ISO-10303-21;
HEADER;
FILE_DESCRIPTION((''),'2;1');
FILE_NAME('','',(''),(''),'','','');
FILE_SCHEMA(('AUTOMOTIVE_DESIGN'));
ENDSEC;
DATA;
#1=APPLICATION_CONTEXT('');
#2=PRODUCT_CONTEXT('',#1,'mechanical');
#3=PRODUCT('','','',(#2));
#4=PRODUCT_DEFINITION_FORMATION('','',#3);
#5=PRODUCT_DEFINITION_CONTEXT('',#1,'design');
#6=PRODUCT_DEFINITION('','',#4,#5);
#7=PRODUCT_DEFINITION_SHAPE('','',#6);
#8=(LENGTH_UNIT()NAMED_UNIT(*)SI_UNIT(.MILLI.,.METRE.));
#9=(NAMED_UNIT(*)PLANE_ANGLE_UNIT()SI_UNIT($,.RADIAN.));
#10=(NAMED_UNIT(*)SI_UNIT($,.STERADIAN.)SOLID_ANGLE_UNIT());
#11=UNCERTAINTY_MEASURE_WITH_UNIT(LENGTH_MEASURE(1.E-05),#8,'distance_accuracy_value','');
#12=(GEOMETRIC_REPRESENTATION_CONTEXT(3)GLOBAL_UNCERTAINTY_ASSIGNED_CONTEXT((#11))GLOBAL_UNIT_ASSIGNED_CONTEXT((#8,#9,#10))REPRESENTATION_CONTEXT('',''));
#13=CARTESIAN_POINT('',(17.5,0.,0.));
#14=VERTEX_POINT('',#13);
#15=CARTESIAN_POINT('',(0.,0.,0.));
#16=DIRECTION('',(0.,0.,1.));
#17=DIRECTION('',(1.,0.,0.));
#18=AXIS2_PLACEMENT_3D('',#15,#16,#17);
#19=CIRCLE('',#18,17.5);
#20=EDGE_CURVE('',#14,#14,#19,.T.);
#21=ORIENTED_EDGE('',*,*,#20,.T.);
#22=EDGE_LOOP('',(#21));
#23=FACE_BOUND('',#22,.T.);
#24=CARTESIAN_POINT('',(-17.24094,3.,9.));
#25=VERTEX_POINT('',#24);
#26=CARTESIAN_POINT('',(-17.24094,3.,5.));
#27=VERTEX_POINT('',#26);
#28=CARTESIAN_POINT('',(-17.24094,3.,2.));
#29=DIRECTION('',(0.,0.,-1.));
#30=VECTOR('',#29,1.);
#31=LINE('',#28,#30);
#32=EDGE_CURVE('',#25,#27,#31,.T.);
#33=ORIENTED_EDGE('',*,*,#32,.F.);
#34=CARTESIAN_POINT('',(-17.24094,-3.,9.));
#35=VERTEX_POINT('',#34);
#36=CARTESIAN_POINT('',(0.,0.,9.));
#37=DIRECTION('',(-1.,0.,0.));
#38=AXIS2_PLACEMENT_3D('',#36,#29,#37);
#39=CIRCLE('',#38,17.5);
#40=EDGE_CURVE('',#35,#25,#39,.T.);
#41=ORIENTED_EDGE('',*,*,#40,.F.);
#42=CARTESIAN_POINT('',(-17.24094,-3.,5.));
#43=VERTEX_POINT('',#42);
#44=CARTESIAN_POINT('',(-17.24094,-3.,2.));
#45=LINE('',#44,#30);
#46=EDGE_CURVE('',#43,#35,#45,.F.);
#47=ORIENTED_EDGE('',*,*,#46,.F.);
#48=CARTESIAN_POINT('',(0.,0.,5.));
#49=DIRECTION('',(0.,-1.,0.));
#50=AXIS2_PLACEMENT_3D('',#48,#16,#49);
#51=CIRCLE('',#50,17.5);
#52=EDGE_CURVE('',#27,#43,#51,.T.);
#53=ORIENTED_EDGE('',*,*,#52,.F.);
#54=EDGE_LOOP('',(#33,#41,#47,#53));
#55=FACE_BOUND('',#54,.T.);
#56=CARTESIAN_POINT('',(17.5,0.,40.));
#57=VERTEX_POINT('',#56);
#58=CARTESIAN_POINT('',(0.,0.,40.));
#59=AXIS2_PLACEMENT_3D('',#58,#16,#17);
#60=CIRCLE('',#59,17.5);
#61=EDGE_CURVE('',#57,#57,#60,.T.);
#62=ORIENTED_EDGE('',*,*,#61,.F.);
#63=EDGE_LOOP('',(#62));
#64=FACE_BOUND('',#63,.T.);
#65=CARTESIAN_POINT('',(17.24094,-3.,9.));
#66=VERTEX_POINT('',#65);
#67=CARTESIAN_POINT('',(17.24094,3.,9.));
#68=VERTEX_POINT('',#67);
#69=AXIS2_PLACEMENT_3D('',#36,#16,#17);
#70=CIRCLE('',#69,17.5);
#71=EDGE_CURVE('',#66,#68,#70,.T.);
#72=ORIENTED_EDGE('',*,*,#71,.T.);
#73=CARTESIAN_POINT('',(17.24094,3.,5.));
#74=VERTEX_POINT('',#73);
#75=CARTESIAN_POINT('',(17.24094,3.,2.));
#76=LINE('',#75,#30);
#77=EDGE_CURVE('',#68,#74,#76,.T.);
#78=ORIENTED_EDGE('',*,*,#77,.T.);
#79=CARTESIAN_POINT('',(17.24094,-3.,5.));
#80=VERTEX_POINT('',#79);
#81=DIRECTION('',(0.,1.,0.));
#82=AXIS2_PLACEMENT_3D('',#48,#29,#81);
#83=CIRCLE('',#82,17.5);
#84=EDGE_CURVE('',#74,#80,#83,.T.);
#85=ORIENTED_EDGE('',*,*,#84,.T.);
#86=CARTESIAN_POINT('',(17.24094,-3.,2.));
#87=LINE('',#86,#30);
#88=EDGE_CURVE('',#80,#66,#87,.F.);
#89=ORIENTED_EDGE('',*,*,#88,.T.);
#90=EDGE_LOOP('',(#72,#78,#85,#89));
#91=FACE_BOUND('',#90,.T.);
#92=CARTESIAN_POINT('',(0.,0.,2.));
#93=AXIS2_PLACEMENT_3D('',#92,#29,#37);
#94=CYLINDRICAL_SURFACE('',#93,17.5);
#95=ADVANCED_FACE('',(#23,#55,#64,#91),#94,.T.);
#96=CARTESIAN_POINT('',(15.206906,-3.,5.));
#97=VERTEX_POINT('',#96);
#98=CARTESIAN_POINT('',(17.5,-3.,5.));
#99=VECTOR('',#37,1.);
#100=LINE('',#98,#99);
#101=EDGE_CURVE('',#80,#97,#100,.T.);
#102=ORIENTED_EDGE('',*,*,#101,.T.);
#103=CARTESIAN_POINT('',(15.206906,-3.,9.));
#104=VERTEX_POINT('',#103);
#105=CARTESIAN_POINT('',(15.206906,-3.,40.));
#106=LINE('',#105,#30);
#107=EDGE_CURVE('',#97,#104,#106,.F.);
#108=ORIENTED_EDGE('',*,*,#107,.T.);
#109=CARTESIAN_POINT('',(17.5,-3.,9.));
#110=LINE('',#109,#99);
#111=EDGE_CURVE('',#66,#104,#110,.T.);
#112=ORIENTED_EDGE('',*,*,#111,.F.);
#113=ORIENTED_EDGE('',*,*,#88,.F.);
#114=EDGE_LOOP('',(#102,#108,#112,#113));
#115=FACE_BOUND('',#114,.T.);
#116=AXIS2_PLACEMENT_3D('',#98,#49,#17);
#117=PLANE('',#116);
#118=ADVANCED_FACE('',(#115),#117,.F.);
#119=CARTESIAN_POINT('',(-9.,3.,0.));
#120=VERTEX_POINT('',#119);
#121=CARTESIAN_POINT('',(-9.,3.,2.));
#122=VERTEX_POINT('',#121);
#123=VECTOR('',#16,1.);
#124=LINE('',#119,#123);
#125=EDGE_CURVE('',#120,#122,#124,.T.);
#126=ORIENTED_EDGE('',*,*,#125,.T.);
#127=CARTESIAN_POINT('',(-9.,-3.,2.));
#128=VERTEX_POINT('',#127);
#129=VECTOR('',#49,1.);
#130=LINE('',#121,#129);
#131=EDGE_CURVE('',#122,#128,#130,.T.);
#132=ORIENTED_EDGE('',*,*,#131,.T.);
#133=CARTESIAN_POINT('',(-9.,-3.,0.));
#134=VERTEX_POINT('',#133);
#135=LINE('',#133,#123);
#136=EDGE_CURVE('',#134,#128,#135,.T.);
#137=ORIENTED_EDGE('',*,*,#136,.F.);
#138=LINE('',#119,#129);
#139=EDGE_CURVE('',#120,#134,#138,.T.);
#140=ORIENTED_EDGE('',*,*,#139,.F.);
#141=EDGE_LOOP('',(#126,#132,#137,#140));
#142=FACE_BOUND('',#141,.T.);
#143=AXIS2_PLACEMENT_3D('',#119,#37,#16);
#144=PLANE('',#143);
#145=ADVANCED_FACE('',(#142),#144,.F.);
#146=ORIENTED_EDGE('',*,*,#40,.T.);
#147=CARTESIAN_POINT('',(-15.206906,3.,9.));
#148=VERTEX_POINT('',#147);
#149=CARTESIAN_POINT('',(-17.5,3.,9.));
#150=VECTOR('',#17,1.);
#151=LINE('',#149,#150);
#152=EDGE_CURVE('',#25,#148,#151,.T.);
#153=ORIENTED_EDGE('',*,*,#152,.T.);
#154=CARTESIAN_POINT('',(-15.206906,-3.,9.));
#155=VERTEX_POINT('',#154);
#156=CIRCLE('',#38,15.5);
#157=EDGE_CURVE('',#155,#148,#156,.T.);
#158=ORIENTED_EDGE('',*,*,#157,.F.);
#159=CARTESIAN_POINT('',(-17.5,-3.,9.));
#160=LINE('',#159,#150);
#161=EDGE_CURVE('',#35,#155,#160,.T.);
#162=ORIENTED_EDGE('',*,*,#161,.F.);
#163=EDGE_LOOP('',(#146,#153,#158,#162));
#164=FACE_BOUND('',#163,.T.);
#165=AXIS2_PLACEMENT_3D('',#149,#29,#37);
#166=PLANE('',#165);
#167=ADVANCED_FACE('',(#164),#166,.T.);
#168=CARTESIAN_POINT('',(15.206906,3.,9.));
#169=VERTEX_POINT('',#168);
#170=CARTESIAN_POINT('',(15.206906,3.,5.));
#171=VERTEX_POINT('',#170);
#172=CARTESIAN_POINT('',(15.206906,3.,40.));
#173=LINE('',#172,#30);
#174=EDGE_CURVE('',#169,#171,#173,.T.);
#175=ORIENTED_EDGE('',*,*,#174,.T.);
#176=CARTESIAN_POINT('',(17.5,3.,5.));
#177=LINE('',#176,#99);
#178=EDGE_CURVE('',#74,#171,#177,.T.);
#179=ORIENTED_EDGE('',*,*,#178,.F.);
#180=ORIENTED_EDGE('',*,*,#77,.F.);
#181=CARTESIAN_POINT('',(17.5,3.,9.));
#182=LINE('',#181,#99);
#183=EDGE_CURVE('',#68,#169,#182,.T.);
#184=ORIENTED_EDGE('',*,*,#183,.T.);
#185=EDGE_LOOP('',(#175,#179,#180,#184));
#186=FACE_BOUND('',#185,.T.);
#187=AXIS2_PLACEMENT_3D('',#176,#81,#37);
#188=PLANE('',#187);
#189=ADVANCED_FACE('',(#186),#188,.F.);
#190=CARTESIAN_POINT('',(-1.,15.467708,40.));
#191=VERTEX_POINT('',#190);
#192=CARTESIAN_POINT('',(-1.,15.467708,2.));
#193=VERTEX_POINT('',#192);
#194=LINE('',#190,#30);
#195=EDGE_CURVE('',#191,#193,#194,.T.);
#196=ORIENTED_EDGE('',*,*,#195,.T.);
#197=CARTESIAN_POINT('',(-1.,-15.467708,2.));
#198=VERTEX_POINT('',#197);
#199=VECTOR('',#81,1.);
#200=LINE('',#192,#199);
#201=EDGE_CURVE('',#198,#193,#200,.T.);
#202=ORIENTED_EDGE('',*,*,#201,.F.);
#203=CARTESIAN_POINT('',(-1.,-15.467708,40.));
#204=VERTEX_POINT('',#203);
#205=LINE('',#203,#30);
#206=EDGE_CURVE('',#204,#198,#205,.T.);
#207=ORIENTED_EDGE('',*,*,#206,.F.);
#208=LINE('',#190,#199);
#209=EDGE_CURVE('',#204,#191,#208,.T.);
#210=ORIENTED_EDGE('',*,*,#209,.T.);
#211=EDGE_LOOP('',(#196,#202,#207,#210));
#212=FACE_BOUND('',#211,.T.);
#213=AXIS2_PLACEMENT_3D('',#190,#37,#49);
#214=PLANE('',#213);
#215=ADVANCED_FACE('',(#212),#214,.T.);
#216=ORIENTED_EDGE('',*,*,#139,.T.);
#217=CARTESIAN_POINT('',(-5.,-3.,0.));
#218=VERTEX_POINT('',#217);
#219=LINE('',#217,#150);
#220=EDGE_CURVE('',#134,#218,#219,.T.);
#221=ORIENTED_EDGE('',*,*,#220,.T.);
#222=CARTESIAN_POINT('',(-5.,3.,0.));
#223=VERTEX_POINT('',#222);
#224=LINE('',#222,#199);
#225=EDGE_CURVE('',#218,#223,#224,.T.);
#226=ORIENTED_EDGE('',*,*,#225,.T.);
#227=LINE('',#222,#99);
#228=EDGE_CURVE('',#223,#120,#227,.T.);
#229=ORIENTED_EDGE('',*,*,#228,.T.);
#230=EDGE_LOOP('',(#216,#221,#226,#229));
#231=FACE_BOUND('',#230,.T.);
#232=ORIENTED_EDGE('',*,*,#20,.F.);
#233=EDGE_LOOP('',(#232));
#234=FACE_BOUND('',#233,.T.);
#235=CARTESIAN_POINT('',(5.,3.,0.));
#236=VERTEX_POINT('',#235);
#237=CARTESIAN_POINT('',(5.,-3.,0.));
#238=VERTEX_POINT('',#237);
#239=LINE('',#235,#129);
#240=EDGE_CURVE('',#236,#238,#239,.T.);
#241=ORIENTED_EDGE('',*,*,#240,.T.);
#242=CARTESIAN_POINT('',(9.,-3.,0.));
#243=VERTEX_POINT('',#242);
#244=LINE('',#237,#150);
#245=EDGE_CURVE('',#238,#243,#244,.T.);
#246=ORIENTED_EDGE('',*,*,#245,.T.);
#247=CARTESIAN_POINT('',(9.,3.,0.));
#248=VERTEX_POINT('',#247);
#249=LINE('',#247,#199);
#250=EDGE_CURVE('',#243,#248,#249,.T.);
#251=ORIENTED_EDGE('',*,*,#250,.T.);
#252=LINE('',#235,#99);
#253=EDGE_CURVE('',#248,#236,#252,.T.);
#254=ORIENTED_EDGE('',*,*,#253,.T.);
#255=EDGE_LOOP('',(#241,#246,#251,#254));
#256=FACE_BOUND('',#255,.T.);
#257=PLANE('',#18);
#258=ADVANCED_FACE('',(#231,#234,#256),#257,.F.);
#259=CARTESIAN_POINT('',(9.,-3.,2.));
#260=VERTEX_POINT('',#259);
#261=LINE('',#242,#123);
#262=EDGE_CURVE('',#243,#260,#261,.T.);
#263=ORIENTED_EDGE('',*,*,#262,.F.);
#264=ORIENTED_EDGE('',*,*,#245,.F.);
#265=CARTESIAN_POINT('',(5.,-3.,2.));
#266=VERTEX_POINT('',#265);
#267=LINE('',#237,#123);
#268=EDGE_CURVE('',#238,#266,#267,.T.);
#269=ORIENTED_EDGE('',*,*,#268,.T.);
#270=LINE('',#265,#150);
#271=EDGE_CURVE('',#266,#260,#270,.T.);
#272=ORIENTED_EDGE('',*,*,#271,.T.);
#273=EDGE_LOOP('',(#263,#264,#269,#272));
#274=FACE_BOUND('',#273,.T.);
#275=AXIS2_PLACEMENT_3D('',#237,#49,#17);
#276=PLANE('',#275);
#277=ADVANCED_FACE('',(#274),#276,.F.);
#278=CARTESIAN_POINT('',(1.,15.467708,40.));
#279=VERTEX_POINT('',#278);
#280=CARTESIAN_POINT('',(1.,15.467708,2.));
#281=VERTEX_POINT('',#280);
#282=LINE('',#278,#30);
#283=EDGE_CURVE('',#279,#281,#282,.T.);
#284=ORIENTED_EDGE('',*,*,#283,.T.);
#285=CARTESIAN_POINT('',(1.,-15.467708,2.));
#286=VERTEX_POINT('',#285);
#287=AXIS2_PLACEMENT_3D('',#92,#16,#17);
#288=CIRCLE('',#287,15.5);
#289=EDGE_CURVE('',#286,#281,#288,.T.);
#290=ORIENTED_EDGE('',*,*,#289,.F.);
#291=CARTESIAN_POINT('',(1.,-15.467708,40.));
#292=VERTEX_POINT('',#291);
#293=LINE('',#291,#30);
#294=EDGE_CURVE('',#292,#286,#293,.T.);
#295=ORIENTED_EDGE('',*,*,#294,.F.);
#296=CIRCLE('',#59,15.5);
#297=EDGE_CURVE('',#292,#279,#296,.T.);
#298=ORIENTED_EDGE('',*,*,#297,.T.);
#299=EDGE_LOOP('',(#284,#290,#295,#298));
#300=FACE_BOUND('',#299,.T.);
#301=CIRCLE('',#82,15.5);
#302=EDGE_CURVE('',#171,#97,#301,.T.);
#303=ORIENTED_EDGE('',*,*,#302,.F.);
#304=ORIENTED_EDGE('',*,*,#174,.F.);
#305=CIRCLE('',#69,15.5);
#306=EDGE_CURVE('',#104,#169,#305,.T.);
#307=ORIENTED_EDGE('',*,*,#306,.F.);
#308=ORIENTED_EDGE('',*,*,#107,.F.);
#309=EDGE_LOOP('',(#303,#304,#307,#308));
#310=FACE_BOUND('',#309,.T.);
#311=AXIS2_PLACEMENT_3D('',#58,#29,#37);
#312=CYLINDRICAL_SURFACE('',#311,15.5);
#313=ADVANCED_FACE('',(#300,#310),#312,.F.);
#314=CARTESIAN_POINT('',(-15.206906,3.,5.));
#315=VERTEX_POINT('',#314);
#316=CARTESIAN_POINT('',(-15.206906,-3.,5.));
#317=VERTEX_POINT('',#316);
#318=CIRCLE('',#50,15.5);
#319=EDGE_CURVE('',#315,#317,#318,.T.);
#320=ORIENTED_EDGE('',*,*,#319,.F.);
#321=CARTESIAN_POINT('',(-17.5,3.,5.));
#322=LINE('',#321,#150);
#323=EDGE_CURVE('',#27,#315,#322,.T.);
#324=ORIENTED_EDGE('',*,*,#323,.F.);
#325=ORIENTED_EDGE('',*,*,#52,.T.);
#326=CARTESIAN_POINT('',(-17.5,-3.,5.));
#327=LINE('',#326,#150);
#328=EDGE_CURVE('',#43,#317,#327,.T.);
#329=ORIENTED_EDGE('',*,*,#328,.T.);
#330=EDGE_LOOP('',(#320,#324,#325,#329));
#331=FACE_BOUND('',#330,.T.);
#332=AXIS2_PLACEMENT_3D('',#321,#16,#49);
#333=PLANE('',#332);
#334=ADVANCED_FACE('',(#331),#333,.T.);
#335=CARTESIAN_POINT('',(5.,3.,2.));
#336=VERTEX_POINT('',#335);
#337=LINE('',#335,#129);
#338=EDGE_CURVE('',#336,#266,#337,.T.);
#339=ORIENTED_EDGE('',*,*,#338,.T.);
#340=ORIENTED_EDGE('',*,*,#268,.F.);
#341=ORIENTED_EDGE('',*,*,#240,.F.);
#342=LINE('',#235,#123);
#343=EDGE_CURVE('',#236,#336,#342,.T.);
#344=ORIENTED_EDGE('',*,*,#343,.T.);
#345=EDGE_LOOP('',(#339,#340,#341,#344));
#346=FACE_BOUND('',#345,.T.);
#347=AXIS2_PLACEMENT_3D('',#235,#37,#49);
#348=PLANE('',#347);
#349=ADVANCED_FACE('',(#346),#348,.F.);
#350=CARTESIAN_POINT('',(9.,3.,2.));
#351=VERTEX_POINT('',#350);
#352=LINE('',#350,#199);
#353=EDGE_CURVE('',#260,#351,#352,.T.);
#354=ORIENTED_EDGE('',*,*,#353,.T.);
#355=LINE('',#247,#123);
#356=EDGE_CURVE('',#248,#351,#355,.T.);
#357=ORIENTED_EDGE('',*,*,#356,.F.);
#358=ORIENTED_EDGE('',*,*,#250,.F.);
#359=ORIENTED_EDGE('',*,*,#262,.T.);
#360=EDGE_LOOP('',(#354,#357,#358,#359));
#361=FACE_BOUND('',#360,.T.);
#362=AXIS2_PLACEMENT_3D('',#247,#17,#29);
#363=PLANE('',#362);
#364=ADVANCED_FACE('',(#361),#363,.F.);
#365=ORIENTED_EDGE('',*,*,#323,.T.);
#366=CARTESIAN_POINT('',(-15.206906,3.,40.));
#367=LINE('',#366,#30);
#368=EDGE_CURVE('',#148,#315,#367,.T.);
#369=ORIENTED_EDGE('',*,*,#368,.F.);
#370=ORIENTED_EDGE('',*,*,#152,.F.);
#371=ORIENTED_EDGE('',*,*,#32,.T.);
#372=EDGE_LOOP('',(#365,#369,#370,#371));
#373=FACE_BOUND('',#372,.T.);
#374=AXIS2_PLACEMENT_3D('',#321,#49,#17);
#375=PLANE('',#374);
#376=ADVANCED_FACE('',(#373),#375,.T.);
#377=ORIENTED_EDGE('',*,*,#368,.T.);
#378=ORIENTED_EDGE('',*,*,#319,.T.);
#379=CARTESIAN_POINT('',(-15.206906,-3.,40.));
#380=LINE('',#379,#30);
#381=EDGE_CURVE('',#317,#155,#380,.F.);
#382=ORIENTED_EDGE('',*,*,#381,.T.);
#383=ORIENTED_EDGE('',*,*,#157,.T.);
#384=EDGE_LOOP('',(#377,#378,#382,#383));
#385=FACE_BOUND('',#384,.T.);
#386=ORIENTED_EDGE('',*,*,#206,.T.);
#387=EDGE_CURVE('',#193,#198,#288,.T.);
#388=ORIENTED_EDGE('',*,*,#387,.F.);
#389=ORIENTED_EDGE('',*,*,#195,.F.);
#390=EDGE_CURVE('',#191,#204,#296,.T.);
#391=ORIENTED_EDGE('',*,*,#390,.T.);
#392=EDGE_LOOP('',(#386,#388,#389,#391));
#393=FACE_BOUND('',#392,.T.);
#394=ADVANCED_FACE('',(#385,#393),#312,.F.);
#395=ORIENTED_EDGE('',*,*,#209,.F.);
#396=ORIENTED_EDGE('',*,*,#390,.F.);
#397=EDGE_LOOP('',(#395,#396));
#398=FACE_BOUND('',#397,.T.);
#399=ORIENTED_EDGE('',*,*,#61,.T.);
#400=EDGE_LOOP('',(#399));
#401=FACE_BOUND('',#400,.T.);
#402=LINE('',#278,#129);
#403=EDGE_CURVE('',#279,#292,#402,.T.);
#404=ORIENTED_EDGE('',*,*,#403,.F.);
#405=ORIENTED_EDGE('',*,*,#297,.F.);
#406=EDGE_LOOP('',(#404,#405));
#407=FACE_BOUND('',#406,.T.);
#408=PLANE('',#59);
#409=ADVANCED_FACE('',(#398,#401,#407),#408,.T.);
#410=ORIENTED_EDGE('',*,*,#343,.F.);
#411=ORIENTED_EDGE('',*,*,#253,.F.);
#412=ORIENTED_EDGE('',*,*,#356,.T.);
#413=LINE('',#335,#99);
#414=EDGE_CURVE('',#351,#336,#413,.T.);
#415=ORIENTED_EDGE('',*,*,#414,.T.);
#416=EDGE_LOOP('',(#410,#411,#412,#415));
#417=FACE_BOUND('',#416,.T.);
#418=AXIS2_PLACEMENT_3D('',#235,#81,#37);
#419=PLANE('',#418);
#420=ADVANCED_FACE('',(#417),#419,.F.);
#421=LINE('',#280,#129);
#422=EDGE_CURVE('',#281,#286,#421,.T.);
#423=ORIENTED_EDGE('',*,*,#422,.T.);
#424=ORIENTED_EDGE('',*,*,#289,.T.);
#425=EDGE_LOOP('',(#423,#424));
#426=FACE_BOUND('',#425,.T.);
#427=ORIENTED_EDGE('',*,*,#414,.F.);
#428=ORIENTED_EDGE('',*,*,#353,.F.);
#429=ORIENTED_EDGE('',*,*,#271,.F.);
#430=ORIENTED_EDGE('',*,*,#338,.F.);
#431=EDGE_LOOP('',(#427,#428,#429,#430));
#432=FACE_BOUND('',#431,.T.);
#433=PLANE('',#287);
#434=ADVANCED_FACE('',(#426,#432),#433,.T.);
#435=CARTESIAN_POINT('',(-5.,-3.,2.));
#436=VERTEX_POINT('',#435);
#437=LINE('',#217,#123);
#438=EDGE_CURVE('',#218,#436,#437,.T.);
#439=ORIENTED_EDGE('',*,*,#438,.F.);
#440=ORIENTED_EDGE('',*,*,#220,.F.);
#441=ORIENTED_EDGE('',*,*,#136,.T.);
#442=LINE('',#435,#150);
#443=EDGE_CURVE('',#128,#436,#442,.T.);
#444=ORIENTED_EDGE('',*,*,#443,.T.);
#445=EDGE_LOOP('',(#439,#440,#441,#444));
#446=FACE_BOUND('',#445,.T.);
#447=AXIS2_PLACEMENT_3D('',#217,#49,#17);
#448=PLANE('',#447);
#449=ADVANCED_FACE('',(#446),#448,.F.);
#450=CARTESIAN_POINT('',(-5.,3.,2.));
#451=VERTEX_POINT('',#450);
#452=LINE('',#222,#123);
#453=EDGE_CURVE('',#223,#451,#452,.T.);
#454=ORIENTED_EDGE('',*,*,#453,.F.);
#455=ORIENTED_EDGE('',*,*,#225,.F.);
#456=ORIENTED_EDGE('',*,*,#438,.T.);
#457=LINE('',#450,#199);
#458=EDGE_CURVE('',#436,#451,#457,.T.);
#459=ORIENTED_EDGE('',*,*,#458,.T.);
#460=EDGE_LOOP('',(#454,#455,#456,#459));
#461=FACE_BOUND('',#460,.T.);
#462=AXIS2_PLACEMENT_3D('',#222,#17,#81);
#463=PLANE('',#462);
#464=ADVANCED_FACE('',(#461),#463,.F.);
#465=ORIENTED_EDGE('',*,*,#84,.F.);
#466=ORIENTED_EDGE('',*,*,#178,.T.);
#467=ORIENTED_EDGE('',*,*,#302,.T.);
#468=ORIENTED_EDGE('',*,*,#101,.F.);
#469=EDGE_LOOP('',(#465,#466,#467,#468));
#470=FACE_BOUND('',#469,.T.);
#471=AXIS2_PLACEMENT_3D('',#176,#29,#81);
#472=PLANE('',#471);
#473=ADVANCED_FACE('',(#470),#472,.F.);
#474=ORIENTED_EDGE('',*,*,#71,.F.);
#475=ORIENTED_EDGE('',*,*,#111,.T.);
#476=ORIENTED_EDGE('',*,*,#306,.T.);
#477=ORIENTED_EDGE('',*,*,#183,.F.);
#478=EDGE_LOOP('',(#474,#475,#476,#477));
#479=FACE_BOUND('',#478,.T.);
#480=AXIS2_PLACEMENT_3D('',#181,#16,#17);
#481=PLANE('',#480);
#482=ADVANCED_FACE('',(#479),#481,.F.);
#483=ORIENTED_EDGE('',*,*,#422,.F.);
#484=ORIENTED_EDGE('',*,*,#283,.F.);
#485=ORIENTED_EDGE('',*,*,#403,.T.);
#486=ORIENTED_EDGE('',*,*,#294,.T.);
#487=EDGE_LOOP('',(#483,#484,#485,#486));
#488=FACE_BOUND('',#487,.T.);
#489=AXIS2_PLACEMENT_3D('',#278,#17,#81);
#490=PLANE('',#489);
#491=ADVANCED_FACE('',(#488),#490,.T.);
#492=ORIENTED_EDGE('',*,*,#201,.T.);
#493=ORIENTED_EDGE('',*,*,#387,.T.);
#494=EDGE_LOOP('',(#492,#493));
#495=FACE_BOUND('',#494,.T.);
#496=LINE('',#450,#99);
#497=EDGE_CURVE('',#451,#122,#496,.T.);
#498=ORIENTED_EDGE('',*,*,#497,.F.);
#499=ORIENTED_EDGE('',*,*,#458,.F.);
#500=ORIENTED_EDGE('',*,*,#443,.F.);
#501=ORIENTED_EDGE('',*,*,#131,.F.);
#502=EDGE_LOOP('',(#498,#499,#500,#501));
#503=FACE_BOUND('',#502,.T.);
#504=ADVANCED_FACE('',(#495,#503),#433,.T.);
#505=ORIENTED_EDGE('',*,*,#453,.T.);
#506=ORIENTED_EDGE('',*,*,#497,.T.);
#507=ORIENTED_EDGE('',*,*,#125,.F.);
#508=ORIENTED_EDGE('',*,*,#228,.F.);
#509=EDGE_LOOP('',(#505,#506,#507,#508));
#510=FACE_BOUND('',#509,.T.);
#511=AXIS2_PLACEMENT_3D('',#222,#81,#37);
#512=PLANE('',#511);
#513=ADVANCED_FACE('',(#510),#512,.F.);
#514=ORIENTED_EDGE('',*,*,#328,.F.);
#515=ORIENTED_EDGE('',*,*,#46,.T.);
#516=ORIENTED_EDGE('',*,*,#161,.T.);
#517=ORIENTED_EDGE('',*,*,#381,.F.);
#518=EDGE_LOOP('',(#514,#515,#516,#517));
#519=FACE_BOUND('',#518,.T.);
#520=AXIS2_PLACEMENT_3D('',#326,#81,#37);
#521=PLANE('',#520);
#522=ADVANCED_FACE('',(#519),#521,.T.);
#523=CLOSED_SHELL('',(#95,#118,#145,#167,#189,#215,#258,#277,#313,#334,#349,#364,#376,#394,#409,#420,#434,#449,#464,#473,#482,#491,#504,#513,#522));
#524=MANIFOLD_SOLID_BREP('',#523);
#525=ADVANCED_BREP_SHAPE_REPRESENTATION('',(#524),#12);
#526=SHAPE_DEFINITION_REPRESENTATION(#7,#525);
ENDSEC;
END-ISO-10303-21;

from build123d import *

# Parameters (mm, degrees)
SKETCH1_R           = 17.5
BOSS_EXTRUDE1_DEPTH = 2
SKETCH2_R           = 17.5
BOSS_EXTRUDE2_DEPTH = 38
SKETCH3_W           = 4
SKETCH3_H           = 6
CUT_EXTRUDE1_DEPTH  = 46.348649373
SKETCH4_W           = 4
SKETCH4_H           = 6
CUT_EXTRUDE2_DEPTH  = 48.418350878


with BuildPart() as part:
    # Sketch1 → Boss-Extrude1 (new body)
    with BuildSketch(Plane.XY):
        Circle(SKETCH1_R)
    extrude(amount=BOSS_EXTRUDE1_DEPTH)

    # Sketch2 → Boss-Extrude2 (add)
    with BuildSketch(Plane.XY.offset(2)):
        Circle(SKETCH2_R)
        with BuildLine():
            Line((-1, 15.467708298), (-1, -15.467708298))
            ThreePointArc((-1, -15.467708298), (-15.5, 0), (-1, 15.467708298))
        make_face(mode=Mode.SUBTRACT)
        with BuildLine():
            Line((1, 15.467708298), (1, -15.467708298))
            ThreePointArc((1, -15.467708298), (15.5, 0), (1, 15.467708298))
        make_face(mode=Mode.SUBTRACT)
    extrude(amount=BOSS_EXTRUDE2_DEPTH)

    # Sketch3 → Cut-Extrude1 (cut, through all)
    with BuildSketch(Plane.XY.offset(2)):
        with Locations((7, 0)):
            Rectangle(SKETCH3_W, SKETCH3_H)
        with Locations((-7, 0)):
            Rectangle(SKETCH3_W, SKETCH3_H)
    extrude(amount=-CUT_EXTRUDE1_DEPTH, mode=Mode.SUBTRACT)

    # Sketch4 → Cut-Extrude2 (cut, through all)
    with BuildSketch(Plane.ZY.offset(1)):
        with Locations((7, 0)):
            Rectangle(SKETCH4_W, SKETCH4_H)
    cut_extrude2 = extrude(amount=CUT_EXTRUDE2_DEPTH, mode=Mode.SUBTRACT)

    # Mirror1: Cut-Extrude2 across plane
    add(cut_extrude2.mirror(Plane(origin=(0, 0, 0), x_dir=(0, 0, 1), z_dir=(1, 0, 0))), mode=Mode.SUBTRACT)


solid = part.part
